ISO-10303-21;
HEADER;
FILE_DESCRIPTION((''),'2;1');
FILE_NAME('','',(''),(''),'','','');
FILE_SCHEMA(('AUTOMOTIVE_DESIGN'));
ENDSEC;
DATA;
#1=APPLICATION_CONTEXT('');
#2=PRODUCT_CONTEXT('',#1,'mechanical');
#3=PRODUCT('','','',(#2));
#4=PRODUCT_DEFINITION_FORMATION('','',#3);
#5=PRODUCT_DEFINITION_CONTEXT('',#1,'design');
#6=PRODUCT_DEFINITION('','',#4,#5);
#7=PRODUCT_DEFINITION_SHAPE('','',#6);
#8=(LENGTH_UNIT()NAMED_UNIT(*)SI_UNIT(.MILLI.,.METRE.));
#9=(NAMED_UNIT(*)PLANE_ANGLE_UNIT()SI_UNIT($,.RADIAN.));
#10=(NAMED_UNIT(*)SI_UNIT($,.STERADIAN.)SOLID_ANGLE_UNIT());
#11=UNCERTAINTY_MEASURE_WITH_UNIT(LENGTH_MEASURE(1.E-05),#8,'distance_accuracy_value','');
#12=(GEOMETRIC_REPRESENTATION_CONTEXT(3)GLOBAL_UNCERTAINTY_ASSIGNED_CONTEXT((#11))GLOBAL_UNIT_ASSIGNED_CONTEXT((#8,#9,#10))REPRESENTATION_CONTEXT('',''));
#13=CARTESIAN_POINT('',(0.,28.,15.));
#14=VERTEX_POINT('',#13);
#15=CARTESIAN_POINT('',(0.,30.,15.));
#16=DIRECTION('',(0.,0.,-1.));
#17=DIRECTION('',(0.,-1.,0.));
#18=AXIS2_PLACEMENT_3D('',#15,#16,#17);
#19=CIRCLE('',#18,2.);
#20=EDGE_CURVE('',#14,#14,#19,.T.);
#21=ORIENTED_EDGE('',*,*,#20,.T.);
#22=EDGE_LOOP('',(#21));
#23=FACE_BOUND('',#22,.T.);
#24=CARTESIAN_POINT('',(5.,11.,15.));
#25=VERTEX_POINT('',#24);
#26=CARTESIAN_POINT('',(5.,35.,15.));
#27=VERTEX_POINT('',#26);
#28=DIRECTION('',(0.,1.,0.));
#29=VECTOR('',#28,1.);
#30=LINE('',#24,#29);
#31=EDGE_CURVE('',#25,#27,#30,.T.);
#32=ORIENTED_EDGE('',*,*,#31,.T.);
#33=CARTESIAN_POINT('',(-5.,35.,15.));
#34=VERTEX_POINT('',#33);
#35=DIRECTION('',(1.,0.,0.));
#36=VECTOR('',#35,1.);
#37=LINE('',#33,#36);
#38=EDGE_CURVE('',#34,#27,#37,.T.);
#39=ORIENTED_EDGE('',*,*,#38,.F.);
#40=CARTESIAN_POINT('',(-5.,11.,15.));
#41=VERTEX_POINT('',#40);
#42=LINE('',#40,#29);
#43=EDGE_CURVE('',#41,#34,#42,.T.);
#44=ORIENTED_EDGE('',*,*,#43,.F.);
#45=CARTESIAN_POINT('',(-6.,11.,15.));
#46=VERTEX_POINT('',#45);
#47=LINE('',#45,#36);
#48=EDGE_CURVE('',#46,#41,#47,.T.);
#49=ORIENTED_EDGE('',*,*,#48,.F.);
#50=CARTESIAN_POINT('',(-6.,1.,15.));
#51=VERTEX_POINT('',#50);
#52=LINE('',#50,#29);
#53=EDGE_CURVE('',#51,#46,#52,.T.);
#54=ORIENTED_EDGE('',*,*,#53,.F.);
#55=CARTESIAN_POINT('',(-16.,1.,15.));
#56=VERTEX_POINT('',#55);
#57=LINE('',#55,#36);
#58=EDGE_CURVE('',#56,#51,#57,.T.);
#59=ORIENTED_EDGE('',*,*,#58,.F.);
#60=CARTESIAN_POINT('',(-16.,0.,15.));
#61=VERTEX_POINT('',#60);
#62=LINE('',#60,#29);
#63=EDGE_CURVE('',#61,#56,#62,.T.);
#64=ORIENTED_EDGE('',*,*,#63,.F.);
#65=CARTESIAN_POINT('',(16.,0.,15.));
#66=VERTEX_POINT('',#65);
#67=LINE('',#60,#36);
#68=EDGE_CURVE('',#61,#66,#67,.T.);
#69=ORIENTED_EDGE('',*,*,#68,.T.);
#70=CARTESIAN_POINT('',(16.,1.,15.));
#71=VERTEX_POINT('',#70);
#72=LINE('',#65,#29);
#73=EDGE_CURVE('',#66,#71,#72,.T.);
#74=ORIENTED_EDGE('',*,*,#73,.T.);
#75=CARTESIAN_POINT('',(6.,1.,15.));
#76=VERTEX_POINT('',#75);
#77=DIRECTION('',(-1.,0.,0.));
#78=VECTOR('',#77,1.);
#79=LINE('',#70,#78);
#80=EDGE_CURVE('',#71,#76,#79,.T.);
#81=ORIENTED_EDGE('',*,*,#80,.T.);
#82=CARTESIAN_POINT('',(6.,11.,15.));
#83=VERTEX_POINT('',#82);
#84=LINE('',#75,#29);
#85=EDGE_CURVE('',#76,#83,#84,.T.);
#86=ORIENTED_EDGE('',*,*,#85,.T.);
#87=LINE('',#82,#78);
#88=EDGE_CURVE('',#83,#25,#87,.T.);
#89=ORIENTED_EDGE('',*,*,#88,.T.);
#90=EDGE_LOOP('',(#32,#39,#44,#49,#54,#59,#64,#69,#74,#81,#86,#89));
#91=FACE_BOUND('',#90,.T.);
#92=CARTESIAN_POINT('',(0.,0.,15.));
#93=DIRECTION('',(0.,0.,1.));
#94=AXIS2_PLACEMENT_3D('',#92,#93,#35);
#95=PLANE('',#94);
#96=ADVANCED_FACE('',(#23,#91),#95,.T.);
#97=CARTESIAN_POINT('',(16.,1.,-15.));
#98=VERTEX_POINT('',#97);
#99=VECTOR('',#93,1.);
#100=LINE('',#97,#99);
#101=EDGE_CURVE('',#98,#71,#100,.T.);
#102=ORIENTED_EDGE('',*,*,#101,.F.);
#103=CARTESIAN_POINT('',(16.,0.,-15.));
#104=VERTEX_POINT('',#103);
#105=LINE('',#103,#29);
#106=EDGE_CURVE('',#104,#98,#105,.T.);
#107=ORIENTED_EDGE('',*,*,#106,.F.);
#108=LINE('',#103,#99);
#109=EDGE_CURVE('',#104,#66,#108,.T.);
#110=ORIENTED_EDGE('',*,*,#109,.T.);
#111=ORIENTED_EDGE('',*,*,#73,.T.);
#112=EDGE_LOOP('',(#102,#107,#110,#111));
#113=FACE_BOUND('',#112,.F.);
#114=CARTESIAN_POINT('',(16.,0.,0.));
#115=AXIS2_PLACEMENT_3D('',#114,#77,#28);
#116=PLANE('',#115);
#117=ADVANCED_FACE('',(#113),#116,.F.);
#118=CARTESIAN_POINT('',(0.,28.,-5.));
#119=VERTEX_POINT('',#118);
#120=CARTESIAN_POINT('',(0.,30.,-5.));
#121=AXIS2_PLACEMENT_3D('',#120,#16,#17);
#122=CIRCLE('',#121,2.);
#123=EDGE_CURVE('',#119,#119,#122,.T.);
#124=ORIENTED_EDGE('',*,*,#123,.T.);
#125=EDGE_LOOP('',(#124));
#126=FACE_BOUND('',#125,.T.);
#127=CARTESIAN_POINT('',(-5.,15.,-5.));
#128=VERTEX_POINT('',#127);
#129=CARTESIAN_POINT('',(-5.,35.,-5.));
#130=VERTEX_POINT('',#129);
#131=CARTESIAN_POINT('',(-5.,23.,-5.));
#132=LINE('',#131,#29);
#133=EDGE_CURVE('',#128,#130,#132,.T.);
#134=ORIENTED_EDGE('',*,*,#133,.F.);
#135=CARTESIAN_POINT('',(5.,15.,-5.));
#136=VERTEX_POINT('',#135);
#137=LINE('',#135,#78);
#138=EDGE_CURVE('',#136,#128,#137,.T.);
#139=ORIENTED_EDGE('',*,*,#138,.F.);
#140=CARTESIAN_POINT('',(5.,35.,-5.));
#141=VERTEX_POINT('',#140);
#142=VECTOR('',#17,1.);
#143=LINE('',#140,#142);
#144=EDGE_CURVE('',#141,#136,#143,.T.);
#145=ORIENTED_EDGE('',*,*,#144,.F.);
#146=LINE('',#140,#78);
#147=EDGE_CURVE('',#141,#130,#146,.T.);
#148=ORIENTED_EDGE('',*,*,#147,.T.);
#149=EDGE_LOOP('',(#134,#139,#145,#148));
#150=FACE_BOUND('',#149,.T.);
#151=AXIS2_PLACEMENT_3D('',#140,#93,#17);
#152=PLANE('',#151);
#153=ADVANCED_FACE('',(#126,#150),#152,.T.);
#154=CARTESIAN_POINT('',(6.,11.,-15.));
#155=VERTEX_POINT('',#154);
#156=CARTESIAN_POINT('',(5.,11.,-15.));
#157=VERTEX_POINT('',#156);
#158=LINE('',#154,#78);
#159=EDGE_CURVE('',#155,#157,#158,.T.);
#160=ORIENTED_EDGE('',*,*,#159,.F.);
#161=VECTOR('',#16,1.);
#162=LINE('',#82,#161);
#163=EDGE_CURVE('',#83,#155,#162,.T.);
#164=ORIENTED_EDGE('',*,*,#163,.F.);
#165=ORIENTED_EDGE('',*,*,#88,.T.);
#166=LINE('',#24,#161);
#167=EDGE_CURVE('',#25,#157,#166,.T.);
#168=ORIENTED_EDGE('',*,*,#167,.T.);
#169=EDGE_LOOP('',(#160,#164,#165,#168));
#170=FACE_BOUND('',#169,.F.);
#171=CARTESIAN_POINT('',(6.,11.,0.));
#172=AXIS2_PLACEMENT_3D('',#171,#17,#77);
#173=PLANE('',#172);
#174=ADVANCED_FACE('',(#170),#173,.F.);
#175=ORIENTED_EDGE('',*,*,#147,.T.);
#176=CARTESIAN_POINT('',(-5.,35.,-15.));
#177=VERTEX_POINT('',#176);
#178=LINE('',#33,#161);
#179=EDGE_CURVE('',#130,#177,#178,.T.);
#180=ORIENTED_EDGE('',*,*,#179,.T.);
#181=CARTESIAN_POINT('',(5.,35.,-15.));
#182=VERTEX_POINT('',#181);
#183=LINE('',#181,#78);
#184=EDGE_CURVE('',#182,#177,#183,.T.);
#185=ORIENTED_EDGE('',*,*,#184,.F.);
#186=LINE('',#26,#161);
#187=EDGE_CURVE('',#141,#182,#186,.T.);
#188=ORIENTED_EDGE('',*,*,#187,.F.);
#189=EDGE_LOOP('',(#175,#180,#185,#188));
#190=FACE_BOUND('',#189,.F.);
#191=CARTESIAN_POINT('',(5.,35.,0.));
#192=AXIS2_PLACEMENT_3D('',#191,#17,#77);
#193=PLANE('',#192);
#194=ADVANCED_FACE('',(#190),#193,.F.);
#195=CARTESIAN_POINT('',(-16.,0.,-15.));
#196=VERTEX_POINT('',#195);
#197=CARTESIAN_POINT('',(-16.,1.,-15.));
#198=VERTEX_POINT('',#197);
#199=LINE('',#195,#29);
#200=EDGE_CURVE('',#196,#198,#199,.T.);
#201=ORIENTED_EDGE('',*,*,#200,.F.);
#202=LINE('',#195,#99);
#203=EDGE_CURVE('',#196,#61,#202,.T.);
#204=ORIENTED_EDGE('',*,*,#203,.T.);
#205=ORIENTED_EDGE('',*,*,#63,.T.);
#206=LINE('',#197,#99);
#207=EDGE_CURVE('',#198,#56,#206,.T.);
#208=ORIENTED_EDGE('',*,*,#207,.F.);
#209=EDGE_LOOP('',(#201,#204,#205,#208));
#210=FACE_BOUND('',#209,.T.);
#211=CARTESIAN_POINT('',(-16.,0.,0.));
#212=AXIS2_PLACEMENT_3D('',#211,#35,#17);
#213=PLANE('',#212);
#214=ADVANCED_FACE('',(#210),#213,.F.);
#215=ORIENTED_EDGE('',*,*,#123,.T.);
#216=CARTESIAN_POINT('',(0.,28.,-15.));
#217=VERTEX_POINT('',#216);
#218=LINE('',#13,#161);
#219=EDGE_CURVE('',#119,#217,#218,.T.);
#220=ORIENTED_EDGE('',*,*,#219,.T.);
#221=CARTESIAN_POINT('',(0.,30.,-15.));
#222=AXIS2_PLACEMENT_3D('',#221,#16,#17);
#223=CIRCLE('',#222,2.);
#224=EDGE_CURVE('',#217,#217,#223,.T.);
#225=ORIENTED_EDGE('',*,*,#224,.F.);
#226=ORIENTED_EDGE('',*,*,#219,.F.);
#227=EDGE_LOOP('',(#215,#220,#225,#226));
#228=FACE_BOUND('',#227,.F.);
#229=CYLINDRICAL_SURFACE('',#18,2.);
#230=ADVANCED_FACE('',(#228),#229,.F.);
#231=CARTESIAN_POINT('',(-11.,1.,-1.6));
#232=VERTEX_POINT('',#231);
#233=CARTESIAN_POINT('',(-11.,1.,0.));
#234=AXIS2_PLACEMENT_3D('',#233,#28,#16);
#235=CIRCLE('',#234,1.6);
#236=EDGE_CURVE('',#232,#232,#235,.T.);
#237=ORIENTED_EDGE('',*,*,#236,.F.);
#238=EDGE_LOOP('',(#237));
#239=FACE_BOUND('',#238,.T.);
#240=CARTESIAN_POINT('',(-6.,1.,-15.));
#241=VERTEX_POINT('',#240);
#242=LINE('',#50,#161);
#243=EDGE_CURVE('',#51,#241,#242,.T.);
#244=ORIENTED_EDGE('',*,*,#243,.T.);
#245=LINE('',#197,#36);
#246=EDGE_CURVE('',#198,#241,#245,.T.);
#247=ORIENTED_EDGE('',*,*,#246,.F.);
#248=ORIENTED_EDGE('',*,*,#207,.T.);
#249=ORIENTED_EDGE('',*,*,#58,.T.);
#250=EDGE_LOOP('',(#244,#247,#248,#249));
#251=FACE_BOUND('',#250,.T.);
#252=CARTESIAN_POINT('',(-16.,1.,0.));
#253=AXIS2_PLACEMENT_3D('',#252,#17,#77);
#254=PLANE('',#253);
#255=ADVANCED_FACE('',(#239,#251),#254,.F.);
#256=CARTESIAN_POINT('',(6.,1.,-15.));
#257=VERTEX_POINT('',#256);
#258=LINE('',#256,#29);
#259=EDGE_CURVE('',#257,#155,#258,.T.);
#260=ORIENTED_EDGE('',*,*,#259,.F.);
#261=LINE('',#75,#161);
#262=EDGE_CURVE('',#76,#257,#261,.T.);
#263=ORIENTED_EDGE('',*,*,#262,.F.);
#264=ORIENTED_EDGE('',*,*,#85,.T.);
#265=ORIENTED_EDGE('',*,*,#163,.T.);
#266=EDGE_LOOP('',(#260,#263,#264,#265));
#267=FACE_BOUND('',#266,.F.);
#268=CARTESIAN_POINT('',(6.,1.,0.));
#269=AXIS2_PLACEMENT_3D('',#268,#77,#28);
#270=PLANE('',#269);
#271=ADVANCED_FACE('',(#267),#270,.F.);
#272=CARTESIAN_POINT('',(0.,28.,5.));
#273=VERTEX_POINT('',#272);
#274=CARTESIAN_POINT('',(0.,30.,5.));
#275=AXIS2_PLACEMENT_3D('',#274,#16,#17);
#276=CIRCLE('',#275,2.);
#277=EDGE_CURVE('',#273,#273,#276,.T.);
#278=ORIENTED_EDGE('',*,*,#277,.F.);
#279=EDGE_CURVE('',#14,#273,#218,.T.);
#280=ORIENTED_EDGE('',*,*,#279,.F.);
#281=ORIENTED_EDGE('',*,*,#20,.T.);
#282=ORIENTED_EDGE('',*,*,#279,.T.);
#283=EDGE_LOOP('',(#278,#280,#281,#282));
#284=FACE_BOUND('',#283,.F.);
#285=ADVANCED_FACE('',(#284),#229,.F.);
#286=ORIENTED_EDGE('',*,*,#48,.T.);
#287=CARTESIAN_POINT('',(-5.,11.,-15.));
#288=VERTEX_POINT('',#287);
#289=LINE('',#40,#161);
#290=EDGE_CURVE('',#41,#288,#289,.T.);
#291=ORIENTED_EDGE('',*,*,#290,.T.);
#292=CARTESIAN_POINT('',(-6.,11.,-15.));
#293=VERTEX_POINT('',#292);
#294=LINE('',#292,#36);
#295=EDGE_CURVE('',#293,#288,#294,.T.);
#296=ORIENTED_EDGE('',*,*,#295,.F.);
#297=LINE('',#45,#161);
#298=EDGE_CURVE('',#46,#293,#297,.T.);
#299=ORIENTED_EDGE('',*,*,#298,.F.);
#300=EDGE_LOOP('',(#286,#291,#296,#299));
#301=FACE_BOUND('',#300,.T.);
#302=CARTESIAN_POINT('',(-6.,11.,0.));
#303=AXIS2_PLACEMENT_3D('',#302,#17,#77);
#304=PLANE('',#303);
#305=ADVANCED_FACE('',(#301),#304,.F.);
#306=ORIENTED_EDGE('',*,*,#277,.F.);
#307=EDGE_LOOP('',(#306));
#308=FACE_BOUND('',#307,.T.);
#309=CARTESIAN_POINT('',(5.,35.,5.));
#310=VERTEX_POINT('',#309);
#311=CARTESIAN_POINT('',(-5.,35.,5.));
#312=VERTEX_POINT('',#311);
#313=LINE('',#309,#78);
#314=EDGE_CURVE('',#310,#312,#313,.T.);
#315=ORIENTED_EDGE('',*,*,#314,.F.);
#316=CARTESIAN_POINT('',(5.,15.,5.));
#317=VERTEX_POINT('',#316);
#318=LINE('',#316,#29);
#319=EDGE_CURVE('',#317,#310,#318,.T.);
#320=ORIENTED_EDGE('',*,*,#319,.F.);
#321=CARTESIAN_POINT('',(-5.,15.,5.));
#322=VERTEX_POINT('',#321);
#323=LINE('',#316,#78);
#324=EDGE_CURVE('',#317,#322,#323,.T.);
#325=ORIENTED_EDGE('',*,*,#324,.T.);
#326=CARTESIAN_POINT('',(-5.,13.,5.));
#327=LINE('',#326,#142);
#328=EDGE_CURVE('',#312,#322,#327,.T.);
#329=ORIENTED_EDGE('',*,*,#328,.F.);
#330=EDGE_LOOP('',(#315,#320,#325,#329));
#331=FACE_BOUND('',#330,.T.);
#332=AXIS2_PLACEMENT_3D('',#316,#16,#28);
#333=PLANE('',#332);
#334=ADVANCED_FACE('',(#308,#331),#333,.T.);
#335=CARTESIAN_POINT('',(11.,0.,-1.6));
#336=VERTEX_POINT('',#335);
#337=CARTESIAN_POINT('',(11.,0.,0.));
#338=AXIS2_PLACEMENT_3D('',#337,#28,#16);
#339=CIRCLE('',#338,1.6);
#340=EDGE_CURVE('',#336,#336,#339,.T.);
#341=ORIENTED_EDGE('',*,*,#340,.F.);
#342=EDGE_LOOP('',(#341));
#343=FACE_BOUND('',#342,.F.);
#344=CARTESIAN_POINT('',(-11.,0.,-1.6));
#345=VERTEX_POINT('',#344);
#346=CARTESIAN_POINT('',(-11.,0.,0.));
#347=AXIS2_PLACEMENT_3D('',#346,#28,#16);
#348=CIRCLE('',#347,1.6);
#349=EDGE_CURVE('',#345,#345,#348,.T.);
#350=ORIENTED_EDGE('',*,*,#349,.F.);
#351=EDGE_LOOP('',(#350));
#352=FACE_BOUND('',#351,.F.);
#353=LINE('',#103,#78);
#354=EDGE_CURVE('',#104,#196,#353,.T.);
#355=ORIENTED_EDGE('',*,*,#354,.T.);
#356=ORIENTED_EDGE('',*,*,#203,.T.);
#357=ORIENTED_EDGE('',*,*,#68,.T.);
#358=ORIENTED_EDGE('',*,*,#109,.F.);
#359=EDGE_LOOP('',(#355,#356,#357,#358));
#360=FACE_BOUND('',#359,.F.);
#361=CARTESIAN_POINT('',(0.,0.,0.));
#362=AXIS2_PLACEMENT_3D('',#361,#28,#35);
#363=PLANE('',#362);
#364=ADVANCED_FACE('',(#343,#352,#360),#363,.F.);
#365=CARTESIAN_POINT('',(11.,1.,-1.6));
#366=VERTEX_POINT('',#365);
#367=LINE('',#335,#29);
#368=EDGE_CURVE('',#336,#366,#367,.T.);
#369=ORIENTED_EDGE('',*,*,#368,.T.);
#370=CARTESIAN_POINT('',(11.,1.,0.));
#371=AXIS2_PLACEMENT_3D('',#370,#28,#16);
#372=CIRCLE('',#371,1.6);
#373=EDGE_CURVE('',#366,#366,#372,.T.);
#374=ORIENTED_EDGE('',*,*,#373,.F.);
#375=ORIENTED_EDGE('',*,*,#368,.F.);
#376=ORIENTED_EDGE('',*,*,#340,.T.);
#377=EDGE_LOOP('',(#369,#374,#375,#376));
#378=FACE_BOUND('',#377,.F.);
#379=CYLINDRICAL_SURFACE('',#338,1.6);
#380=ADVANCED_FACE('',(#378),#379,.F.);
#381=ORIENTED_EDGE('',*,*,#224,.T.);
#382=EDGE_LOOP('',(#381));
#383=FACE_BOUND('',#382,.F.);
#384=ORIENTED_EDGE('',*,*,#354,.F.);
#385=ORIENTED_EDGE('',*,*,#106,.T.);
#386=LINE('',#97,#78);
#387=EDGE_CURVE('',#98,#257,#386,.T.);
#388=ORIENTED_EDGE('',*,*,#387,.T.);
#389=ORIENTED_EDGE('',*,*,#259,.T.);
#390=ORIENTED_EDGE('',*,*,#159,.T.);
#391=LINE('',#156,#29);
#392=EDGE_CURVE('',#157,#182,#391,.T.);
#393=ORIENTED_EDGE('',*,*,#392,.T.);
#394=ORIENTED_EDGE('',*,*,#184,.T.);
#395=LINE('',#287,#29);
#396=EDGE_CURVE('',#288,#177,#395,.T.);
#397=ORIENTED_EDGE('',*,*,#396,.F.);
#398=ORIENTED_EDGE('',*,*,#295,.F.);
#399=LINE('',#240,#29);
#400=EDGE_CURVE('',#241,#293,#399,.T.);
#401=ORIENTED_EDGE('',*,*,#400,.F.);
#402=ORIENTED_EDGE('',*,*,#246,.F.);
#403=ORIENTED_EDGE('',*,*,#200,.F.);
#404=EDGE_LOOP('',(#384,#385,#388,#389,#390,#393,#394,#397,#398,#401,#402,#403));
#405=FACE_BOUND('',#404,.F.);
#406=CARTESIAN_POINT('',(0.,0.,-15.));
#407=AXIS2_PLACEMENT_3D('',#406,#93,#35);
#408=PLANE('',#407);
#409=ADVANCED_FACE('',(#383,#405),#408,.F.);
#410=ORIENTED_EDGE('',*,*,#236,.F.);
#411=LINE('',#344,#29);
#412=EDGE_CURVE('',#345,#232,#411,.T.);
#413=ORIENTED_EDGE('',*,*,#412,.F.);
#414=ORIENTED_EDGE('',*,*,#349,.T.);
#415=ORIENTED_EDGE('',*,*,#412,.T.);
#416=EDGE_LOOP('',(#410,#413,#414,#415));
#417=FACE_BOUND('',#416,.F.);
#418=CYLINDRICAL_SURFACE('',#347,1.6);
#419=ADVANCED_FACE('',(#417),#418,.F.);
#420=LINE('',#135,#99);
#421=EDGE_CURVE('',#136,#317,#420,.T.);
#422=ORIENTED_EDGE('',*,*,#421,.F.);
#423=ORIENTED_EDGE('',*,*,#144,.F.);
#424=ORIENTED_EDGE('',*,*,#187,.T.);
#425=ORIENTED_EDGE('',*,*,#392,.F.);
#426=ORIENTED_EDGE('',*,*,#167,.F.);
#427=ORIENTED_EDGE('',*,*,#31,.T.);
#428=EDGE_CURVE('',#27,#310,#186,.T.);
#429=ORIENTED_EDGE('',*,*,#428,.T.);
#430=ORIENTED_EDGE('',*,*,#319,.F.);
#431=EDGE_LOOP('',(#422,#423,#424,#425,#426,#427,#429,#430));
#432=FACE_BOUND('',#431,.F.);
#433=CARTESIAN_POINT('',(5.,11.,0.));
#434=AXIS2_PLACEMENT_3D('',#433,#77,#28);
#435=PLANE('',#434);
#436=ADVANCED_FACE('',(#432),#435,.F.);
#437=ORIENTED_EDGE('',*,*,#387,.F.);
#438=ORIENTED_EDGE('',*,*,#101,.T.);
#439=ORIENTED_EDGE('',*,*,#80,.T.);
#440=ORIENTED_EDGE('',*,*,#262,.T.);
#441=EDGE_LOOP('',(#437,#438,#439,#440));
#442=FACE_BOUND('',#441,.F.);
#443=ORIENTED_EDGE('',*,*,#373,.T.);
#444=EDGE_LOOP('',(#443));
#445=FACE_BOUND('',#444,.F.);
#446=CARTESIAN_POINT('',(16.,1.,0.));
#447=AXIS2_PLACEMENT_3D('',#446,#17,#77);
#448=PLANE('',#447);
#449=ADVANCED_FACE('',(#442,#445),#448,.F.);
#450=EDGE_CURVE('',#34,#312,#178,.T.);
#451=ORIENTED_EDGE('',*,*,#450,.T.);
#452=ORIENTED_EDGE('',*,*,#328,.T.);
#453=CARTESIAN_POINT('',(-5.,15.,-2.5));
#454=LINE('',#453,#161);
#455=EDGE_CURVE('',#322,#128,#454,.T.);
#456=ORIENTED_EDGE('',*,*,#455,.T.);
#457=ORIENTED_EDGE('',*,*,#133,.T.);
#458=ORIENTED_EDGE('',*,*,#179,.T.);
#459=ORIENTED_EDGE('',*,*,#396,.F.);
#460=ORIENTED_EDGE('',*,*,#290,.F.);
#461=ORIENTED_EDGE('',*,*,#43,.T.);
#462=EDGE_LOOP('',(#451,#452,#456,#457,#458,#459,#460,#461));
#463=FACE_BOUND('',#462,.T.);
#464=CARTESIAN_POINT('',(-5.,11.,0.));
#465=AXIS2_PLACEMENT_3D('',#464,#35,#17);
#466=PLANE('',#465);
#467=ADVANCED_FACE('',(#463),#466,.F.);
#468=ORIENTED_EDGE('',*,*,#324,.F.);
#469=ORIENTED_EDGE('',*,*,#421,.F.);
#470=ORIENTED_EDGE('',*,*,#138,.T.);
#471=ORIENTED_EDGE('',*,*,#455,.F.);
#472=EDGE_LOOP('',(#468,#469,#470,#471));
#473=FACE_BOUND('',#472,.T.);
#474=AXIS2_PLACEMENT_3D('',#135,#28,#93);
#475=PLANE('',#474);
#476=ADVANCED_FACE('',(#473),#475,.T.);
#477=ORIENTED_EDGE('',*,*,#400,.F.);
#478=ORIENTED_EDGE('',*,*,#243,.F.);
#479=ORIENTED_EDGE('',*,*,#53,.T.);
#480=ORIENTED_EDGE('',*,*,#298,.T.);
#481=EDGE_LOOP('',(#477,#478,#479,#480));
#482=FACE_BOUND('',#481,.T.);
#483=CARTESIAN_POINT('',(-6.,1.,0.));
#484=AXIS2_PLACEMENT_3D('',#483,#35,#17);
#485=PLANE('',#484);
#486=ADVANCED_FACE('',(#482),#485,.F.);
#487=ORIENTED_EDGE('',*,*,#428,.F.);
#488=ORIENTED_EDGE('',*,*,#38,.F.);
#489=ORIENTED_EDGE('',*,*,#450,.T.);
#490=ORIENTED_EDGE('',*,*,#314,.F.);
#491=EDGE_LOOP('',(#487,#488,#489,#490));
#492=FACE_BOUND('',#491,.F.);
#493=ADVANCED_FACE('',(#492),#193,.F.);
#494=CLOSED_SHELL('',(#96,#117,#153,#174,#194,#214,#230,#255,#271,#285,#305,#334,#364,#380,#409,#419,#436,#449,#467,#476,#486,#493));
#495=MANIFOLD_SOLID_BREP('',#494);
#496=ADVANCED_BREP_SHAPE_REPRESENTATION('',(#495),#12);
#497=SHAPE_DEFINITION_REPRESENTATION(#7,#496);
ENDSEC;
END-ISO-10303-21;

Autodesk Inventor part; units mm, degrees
ref_plane "YZ Plane" through (0, 0, 0) normal (1, 0, 0) x (0, 1, 0)
ref_plane "XZ Plane" through (0, 0, 0) normal (0, 1, 0) x (-1, 0, 0)
ref_plane "XY Plane" through (0, 0, 0) normal (0, 0, 1) x (1, 0, 0)
sketch "Náčrt1" plane through (0, 0, 0) normal (0, 0, 1) x (1, 0, 0)
  line L0 (-9.2032, 0) -> (20.2005, 0) projected
  line L1 (0, 42) -> (0, -7) projected
  line L2 (-5.0026, 0) -> (16, 0)
  line L3 (16, 0) -> (16, 1)
  line L4 (16, 1) -> (6, 1)
  line L5 (6, 1) -> (6, 11)
  line L6 (6, 11) -> (5, 11)
  line L7 (5, 11) -> (5, 35)
  line L8 (5, 35) -> (0, 35)
  line L9 (0, 35) -> (0, 0)
  line L10 (0, 0) -> (-5.0026, 0)
  line L11 (0, 0) -> (16, 0)
  point P0 (0, 0)
  point P1 (0, 35)
  point P2 (16, 0)
  dimension "d0" = 10
  dimension "d1" = 10
  dimension "d2" = 1
  dimension "d3" = 1
  dimension "d4" = 5
  dimension "d5" = 35
extrude "Vysunutí1" add sketch "Náčrt1" along normal mid plane 30
mirror "Zrcadlit1" about plane through (0, 35, 0) normal (-1, 0, 0) of "Vysunutí1"
sketch "Náčrt2" plane through (5, 11, 15) normal (1, 0, 0) x (0, 0, -1)
  line L0 (0, 24) -> (30, 24) projected
  line L1 (0, 0) -> (0, 24) projected
  line L2 (30, 0) -> (0, 0) projected
  line L3 (30, 24) -> (30, 0) projected
  line L4 (10, 24) -> (20, 24)
  line L5 (20, 24) -> (20, 4)
  line L6 (20, 4) -> (10, 4)
  line L7 (10, 4) -> (10, 24)
  line L8 (10, 24) -> (20, 24)
  point P0 (15, -11)
  point P1 (10, 0)
  point P2 (20, 0)
  dimension "d8" = 10
  dimension "d9" = 10
  dimension "d10" = 20
extrude "Vysunutí3" cut sketch "Náčrt2" against normal through all contours L0 L5 L6 L7
sketch "Náčrt3" plane through (0, 0, 15) normal (0, 0, 1) x (1, 0, 0)
  line L0 (5, 35) -> (-5, 35) projected
  line L1 (-5, 11) -> (-5, 35) projected
  line L2 (-6, 11) -> (-5, 11) projected
  line L3 (-6, 1) -> (-6, 11) projected
  line L4 (-16, 1) -> (-6, 1) projected
  line L5 (-16, 0) -> (-16, 1) projected
  line L6 (16, 0) -> (-16, 0) projected
  line L7 (16, 0) -> (16, 1) projected
  line L8 (16, 1) -> (6, 1) projected
  line L9 (6, 1) -> (6, 11) projected
  line L10 (6, 11) -> (5, 11) projected
  line L11 (5, 11) -> (5, 35) projected
  point P0 (0, 0)
  point P1 (0, 30)
  dimension "d15" = 5
  dimension "d16" = 5
hole "Díra1" at (0, 30, 15) direction (0, 0, -1) diameter 4 end through all
sketch "Náčrt4" plane through (16, 0, -15) normal (0, -1, 0) x (1, 0, 0)
  line L0 (-10, 0) -> (-10, 30) projected
  line L1 (0, 0) -> (0, 30) projected
  line L2 (0, 30) -> (-32, 30) projected
  line L3 (-32, 0) -> (-32, 30) projected
  line L4 (0, 0) -> (-32, 0) projected
  point P0 (-16, 15)
  point P1 (-5, 15)
  point P2 (-27, 15)
  dimension "d24" = 5
  dimension "d27" = 15
  dimension "d28" = 15
  dimension "d31" = 5
hole "Díra2" at (11, 0, 0) at (-11, 0, 0) direction (0, 1, 0) diameter 3.2 end through all
properties part number "y_bearing_holder"
